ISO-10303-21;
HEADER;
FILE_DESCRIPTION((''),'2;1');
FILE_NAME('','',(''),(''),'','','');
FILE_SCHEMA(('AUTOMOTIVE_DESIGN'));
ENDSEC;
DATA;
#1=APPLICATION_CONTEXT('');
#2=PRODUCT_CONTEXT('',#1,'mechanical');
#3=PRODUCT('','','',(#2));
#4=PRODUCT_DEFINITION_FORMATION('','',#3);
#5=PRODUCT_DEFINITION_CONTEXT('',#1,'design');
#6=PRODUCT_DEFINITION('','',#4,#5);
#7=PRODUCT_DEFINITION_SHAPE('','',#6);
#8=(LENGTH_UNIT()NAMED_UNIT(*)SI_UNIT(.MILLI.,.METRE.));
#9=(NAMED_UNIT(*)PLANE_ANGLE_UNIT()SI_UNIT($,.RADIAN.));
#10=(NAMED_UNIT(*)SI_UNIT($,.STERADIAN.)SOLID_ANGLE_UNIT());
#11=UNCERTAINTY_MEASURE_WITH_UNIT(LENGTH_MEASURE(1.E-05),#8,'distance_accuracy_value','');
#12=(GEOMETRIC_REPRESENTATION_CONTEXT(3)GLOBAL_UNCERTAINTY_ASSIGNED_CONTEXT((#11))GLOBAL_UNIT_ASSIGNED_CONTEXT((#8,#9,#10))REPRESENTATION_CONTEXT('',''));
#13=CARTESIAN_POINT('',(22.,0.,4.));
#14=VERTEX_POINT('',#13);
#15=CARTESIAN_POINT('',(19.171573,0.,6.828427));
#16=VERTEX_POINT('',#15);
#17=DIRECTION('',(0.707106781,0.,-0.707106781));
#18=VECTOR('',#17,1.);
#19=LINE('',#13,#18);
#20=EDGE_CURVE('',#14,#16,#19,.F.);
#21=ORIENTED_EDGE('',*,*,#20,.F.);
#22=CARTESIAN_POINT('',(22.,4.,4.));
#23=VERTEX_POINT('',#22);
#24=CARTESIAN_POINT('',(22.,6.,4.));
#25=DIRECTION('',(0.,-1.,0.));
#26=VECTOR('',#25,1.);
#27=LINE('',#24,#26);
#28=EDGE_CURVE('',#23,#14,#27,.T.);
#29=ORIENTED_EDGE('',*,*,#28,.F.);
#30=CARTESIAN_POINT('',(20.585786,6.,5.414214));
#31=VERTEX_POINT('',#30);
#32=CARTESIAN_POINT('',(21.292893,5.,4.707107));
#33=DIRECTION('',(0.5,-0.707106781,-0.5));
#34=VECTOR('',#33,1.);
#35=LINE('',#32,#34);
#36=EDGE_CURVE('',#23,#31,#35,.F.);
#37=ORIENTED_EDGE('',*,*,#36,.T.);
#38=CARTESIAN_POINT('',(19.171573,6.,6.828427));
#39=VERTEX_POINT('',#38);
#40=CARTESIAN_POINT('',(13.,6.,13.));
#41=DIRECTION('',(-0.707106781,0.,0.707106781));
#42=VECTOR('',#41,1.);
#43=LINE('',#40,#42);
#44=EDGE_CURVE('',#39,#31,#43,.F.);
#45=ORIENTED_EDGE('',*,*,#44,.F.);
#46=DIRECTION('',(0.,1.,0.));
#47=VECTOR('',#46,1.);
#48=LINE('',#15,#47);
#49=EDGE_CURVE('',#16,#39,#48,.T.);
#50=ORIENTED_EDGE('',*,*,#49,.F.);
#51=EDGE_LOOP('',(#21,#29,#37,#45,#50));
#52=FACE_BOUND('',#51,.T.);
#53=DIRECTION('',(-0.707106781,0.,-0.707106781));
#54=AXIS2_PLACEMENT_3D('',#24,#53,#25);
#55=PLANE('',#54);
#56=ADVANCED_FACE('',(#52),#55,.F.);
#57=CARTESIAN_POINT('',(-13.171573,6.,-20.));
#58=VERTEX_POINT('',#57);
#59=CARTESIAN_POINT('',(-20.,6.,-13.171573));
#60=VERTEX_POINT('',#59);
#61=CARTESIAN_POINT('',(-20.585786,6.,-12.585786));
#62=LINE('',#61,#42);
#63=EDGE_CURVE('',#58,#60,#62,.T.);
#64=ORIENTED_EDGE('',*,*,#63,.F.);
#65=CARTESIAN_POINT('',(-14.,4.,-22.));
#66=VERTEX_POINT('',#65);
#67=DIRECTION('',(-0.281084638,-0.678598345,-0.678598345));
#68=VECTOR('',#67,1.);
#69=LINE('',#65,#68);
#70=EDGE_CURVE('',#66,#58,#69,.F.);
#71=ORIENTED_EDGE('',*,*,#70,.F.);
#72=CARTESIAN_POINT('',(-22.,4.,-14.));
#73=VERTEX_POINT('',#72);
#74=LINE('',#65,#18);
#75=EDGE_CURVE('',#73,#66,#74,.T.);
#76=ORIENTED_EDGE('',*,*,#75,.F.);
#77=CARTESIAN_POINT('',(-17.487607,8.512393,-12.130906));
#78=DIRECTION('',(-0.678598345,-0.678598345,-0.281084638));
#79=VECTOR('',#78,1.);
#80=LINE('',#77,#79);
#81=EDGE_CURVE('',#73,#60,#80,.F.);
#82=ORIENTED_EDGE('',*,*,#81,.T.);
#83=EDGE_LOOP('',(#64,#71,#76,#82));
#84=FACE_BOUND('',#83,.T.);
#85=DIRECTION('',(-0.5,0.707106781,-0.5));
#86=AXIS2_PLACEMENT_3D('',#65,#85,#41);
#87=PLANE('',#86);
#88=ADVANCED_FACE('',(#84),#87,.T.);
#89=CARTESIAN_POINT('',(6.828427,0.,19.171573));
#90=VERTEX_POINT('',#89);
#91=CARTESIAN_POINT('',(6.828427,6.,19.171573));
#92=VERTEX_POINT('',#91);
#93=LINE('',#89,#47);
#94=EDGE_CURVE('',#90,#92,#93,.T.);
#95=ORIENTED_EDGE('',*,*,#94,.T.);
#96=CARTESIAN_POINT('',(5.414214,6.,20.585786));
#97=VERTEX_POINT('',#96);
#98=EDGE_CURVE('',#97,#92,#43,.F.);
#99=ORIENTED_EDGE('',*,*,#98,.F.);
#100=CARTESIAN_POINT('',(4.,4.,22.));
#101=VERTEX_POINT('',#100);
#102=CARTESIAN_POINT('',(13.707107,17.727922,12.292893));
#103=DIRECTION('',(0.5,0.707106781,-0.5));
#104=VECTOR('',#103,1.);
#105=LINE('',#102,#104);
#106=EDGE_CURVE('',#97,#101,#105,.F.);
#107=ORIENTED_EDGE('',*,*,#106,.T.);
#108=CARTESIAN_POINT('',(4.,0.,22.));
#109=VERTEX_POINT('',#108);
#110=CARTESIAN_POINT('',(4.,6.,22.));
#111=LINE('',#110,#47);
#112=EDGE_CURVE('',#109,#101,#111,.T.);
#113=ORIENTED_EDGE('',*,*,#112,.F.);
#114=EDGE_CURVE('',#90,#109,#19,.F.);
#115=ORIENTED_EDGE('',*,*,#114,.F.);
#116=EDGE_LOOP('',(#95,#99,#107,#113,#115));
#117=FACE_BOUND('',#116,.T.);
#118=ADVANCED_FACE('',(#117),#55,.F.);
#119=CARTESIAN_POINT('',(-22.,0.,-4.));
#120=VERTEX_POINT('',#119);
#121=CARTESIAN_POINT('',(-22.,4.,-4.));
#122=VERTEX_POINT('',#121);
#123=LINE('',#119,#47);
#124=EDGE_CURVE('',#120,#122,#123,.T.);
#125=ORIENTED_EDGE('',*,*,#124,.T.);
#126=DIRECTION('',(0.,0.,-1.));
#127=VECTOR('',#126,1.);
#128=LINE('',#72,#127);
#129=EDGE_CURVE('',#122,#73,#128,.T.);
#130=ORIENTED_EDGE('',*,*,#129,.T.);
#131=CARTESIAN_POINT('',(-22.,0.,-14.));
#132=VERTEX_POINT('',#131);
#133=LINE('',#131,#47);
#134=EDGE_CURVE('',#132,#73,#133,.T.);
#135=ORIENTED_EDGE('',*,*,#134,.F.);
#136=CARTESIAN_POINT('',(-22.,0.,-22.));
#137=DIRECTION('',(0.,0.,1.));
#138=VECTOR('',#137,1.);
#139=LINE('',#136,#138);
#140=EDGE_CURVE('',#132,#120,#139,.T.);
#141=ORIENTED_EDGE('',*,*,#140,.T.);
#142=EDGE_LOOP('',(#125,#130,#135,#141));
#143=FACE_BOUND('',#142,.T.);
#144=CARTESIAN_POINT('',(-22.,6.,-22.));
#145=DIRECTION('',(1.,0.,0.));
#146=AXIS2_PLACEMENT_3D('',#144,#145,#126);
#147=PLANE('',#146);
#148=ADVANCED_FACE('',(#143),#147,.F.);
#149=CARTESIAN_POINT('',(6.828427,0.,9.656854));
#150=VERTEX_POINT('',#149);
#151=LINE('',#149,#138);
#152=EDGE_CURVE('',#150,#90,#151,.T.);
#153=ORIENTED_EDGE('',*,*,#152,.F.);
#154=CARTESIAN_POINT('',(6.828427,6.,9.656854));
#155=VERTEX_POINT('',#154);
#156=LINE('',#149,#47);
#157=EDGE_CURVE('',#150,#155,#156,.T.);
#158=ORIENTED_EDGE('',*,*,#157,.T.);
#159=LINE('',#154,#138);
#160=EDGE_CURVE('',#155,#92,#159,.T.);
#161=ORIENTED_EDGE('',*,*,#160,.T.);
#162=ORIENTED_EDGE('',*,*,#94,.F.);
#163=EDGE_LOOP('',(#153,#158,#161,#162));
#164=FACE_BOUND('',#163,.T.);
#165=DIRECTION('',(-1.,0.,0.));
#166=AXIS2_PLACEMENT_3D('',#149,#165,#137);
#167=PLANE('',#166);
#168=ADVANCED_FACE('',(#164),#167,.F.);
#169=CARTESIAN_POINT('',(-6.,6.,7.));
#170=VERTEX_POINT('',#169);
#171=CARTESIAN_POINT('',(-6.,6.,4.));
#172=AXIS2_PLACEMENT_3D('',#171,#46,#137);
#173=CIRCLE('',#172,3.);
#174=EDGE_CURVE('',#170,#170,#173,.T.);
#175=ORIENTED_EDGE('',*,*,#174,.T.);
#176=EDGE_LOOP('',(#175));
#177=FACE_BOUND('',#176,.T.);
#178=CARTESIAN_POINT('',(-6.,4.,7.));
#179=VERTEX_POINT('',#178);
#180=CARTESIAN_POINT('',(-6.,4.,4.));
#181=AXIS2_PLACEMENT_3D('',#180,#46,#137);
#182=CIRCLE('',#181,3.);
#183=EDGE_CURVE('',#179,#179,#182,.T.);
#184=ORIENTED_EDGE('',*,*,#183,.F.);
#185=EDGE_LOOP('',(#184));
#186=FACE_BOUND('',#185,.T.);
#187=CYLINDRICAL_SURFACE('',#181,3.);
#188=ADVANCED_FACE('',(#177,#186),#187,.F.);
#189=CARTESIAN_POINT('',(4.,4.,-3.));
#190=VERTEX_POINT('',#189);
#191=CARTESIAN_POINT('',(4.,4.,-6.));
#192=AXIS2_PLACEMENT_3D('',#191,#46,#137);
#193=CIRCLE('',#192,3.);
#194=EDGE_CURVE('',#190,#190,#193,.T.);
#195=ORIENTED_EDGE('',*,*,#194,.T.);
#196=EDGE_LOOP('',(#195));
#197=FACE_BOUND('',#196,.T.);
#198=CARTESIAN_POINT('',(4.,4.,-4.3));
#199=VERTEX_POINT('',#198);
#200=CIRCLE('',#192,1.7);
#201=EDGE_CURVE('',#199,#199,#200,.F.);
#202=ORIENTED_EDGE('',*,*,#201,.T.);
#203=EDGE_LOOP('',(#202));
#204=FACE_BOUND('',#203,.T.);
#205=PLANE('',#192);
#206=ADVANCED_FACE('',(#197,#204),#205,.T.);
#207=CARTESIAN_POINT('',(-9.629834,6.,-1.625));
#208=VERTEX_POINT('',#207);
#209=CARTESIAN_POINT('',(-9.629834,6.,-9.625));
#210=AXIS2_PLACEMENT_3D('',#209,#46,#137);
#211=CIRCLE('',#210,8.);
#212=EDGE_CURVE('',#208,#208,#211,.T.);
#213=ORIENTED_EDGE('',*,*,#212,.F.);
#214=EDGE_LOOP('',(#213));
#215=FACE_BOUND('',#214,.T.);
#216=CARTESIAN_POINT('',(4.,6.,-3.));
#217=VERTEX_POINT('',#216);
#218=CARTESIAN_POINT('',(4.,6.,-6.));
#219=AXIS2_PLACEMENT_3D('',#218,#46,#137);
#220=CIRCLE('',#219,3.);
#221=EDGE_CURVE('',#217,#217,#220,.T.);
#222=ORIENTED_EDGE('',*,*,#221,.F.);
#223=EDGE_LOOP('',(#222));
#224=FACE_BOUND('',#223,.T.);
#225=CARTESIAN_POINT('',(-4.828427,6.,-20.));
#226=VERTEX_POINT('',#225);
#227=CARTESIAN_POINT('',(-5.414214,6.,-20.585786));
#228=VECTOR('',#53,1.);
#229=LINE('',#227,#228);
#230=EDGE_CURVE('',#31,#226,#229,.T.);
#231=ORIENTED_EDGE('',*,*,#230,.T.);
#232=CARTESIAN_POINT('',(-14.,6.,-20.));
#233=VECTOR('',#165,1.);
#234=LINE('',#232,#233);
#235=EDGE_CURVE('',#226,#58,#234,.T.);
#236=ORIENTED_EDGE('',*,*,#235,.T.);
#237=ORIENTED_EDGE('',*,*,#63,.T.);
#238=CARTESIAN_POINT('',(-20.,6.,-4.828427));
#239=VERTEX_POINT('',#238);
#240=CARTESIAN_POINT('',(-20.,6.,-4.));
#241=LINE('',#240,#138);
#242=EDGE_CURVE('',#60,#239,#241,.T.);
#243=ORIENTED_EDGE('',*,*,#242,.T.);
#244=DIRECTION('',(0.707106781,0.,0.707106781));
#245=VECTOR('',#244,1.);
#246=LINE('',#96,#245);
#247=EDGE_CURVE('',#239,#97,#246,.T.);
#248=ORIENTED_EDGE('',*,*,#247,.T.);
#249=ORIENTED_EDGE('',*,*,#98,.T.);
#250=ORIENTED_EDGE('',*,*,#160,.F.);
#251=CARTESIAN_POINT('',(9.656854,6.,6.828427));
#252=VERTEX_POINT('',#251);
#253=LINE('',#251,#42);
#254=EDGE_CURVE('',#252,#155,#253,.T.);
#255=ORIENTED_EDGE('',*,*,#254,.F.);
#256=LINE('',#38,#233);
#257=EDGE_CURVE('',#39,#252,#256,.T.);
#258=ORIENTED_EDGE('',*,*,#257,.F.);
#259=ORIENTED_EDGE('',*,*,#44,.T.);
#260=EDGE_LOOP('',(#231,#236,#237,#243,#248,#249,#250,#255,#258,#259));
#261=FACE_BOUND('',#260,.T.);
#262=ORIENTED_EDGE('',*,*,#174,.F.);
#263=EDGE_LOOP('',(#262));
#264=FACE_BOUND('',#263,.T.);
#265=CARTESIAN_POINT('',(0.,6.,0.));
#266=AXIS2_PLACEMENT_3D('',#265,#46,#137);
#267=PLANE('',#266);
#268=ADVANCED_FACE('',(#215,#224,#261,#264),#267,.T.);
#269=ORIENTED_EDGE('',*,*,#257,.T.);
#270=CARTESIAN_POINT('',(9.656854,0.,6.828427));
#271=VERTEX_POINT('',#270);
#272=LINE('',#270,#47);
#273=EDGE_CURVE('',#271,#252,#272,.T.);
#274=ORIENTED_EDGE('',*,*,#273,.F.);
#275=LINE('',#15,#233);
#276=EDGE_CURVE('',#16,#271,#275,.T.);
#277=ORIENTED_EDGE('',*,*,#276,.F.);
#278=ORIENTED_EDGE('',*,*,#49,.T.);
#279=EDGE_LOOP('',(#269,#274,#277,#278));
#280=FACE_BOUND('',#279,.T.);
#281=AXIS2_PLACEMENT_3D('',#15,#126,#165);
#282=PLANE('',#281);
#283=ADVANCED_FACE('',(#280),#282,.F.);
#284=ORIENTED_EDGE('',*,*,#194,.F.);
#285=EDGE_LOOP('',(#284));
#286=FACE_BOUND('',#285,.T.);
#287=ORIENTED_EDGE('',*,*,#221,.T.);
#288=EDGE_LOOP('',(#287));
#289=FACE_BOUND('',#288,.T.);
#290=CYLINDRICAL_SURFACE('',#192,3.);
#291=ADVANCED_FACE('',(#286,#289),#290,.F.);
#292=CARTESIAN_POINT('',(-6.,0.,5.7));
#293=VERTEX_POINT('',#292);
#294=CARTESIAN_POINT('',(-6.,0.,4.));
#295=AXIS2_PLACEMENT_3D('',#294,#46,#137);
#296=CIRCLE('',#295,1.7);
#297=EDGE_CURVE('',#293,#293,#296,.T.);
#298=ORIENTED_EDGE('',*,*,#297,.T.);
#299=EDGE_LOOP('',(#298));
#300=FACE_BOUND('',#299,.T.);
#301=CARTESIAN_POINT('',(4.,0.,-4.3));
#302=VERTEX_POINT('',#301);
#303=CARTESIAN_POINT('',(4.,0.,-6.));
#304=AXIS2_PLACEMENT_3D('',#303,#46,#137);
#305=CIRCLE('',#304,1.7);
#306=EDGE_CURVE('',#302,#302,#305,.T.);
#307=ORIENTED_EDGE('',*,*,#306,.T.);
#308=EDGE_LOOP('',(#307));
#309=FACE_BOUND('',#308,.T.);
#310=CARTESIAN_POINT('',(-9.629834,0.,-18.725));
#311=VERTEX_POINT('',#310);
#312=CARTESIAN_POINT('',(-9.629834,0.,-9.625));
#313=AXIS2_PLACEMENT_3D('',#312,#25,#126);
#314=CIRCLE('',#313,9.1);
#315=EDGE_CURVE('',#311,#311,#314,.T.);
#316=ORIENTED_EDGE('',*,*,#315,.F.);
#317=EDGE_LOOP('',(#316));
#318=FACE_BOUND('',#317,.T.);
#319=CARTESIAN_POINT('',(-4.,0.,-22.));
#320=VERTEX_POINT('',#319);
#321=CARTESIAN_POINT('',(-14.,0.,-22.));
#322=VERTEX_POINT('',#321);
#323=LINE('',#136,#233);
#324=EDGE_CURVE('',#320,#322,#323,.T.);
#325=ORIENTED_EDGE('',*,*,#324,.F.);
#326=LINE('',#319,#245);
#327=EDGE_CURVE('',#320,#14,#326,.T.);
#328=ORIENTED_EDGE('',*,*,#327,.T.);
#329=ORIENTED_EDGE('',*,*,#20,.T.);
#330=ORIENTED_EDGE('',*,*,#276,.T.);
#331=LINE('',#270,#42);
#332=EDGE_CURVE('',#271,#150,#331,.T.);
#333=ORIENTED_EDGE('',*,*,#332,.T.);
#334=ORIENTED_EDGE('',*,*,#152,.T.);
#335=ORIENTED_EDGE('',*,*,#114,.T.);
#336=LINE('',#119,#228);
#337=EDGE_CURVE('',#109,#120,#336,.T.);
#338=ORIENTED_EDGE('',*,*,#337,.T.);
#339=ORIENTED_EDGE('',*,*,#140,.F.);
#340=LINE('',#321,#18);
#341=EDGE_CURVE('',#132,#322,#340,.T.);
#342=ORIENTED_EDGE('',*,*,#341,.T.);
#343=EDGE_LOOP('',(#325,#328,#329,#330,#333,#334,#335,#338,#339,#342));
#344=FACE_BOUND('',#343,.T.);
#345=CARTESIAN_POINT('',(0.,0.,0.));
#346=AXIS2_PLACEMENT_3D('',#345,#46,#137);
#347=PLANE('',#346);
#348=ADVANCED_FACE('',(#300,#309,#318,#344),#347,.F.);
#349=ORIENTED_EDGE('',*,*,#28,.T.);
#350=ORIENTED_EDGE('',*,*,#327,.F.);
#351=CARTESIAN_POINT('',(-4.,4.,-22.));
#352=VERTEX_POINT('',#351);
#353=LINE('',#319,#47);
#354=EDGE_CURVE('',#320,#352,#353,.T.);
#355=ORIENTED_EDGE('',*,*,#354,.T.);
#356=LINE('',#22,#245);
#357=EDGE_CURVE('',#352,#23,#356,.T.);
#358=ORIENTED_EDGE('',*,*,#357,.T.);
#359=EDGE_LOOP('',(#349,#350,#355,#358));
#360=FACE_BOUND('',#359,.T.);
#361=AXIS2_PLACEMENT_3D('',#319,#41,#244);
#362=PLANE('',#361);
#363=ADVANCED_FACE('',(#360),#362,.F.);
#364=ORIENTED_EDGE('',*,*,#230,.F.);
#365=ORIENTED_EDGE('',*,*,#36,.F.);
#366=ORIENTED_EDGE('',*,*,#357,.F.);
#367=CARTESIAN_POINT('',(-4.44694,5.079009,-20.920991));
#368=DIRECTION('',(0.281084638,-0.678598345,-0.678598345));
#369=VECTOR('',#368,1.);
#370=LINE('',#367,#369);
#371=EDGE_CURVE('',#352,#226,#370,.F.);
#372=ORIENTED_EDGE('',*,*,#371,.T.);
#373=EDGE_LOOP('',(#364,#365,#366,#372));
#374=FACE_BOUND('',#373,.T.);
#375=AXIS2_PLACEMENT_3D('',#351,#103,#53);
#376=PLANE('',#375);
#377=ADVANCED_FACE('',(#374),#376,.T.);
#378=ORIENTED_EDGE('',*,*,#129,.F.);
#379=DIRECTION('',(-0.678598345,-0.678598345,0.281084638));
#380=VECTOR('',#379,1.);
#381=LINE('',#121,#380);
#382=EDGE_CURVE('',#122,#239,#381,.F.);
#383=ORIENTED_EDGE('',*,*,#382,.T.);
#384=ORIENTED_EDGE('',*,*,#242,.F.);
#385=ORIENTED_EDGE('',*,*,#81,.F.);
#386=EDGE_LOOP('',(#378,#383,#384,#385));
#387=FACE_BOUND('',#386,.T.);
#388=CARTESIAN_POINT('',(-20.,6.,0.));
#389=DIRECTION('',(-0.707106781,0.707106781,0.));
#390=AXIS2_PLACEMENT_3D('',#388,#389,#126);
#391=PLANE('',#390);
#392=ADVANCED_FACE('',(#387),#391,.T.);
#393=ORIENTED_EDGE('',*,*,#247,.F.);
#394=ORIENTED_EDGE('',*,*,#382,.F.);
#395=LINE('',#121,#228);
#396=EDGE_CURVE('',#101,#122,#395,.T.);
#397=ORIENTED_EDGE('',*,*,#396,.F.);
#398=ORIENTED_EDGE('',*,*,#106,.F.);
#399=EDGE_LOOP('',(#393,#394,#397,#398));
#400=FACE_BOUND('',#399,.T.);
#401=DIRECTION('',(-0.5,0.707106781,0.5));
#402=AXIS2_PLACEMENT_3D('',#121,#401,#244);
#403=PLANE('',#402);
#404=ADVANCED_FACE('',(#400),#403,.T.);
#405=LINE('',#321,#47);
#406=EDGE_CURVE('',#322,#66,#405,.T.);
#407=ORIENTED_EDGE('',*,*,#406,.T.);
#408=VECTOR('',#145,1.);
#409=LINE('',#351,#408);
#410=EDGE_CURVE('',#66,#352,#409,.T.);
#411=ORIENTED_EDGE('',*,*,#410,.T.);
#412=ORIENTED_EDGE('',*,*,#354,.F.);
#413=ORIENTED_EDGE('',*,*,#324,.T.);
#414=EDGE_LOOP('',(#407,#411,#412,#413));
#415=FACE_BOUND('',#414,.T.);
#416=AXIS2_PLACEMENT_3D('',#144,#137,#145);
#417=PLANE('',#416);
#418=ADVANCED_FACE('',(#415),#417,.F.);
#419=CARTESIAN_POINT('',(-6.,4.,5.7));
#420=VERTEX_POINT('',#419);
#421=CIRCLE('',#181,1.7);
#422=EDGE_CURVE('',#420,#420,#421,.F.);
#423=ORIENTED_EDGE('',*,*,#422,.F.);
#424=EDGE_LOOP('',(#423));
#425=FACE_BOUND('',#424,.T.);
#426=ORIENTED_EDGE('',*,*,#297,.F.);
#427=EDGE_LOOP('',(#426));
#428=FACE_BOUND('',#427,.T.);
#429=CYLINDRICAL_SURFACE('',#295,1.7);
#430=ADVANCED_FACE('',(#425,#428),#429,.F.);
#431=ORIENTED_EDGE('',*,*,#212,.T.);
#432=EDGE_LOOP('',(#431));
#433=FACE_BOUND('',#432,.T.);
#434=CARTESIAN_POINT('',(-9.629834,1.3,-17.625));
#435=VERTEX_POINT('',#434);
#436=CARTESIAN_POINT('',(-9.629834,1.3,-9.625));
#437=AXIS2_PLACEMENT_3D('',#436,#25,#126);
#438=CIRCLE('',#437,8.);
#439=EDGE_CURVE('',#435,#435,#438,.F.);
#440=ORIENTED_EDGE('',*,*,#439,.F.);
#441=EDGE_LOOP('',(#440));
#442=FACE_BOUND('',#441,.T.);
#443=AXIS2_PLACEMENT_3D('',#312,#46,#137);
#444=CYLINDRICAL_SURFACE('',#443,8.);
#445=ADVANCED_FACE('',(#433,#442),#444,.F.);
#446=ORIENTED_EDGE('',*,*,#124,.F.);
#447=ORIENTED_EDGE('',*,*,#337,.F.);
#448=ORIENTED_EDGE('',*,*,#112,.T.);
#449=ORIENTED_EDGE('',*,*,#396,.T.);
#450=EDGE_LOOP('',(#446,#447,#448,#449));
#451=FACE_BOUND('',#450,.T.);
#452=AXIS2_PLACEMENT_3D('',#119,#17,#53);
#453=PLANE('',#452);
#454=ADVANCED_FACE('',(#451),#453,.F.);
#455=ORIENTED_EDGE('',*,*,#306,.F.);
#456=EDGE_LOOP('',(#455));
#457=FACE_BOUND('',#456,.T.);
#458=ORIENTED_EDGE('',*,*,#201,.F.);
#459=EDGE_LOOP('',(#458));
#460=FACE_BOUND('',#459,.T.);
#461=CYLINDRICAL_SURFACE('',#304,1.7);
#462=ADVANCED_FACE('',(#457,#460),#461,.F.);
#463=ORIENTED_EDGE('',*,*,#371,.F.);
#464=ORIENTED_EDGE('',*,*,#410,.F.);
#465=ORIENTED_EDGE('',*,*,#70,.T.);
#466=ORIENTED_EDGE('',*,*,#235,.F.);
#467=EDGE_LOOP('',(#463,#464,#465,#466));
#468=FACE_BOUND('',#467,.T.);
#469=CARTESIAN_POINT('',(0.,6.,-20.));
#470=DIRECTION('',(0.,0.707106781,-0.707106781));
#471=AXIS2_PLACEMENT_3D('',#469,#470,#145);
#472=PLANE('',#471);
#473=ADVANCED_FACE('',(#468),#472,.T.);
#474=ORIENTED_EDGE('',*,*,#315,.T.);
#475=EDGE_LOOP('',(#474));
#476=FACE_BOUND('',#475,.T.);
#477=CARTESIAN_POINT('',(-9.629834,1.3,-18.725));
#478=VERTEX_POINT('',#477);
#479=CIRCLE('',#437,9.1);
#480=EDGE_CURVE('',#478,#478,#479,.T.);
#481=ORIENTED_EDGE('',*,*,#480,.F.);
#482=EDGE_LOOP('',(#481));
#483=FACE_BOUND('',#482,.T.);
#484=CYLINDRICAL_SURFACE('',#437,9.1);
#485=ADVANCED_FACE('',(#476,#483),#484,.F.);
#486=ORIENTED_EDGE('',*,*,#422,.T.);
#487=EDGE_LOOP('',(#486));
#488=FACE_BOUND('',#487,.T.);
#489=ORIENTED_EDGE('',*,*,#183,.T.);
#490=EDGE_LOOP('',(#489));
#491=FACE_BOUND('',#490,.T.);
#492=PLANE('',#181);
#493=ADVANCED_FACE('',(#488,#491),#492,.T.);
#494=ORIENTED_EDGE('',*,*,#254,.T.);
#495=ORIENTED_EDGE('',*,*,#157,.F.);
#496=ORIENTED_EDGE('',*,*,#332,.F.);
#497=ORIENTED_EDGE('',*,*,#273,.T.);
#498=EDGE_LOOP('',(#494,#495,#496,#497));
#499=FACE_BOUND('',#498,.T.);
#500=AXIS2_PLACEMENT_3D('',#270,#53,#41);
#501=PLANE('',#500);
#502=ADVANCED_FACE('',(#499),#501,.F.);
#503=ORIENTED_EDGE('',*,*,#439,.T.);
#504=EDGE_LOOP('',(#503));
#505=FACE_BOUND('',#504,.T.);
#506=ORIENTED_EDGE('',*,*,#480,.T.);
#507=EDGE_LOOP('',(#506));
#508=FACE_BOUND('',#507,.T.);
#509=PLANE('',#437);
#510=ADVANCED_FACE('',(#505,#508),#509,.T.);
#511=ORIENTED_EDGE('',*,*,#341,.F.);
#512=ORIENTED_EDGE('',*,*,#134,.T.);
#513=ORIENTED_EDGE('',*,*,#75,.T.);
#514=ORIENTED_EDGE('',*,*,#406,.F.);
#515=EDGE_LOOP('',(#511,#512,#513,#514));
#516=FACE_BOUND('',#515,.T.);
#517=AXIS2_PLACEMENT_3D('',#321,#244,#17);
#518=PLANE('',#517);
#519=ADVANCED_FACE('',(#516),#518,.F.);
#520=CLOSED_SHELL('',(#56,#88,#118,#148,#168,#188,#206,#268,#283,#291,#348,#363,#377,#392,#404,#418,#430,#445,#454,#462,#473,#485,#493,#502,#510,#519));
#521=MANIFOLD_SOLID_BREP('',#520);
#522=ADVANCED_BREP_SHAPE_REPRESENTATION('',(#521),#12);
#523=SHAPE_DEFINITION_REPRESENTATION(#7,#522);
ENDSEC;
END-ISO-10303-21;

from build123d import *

# Parameters (mm, degrees)
SKETCH2_W           = 44
SKETCH2_H           = 44
BOSS_EXTRUDE1_DEPTH = 6
CHAMFER1_SIZE       = 18
SKETCH3_R           = 8
CUT_EXTRUDE1_DEPTH  = 32.685959036
SKETCH4_R           = 9.1
CUT_EXTRUDE2_DEPTH  = 1.3
CUT_EXTRUDE3_DEPTH  = 32.685959036
SKETCH7_R           = 1.7
CUT_EXTRUDE4_DEPTH  = 32.685959036
SKETCH8_R           = 3
CUT_EXTRUDE5_DEPTH  = 2
CHAMFER2_SIZE       = 2


with BuildPart() as part:
    # Sketch2 → Boss-Extrude1 (new body)
    with BuildSketch(Plane(origin=(0, 0, 0), x_dir=(1, 0, 0), z_dir=(0, 1, 0))):
        Rectangle(SKETCH2_W, SKETCH2_H)
    extrude(amount=BOSS_EXTRUDE1_DEPTH)

    # Chamfer1
    chamfer1_edges = [part.edges().sort_by_distance(p)[0] for p in [
        (22, 3, 22),
    ]]
    chamfer(chamfer1_edges, length=CHAMFER1_SIZE)

    # Sketch3 → Cut-Extrude1 (cut, through all)
    with BuildSketch(Plane(origin=(0, 6, 0), x_dir=(1, 0, 0), z_dir=(0, 1, 0))):
        with Locations(Location((-9.629833996, 9.625, 0), (0, 0, 270))):
            Circle(SKETCH3_R)
    extrude(amount=-CUT_EXTRUDE1_DEPTH, mode=Mode.SUBTRACT)

    # Sketch4 → Cut-Extrude2 (cut)
    with BuildSketch(Plane(origin=(0, 0, 0), x_dir=(-1, 0, 0), z_dir=(0, -1, 0))):
        with Locations(Location((9.629833996, 9.625, 0), (0, 0, 90))):
            Circle(SKETCH4_R)
    extrude(amount=-CUT_EXTRUDE2_DEPTH, mode=Mode.SUBTRACT)

    # Sketch5 → Cut-Extrude3 (cut, through all)
    with BuildSketch(Plane(origin=(0, 6, 0), x_dir=(1, 0, 0), z_dir=(0, 1, 0))):
        Polygon((-14, 22), (-22, 14), (-22, 22), align=None)
    extrude(amount=-CUT_EXTRUDE3_DEPTH, mode=Mode.SUBTRACT)

    # Sketch7 → Cut-Extrude4 (cut, through all)
    with BuildSketch(Plane(origin=(0, 6, 0), x_dir=(1, 0, 0), z_dir=(0, 1, 0))):
        with Locations(Location((4, 6, 0), (0, 0, 270))):
            Circle(SKETCH7_R)
        with Locations(Location((-6, -4, 0), (0, 0, 270))):
            Circle(SKETCH7_R)
        Polygon((-4, 22), (22, -4), (22, 22), align=None)
        Polygon((-22, 4), (4, -22), (-22, -22), align=None)
        Polygon((19.171572875, -6.828427125), (9.656854249, -6.828427125), (6.828427125, -9.656854249), (6.828427125, -19.171572875), align=None)
    extrude(amount=-CUT_EXTRUDE4_DEPTH, mode=Mode.SUBTRACT)

    # Sketch8 → Cut-Extrude5 (cut)
    with BuildSketch(Plane(origin=(0, 6, 0), x_dir=(1, 0, 0), z_dir=(0, 1, 0))):
        with Locations(Location((4, 6, 0), (0, 0, 270))):
            Circle(SKETCH8_R)
        with Locations(Location((-6, -4, 0), (0, 0, 270))):
            Circle(SKETCH8_R)
    extrude(amount=-CUT_EXTRUDE5_DEPTH, mode=Mode.SUBTRACT)

    # Chamfer2
    chamfer2_edges = [part.edges().sort_by_distance(p)[0] for p in [
        (-22, 6, -9),
        (-18, 6, -18),
        (-9, 6, -22),
        (-9, 6, 9),
        (9, 6, -9),
    ]]
    chamfer(chamfer2_edges, length=CHAMFER2_SIZE)


solid = part.part
